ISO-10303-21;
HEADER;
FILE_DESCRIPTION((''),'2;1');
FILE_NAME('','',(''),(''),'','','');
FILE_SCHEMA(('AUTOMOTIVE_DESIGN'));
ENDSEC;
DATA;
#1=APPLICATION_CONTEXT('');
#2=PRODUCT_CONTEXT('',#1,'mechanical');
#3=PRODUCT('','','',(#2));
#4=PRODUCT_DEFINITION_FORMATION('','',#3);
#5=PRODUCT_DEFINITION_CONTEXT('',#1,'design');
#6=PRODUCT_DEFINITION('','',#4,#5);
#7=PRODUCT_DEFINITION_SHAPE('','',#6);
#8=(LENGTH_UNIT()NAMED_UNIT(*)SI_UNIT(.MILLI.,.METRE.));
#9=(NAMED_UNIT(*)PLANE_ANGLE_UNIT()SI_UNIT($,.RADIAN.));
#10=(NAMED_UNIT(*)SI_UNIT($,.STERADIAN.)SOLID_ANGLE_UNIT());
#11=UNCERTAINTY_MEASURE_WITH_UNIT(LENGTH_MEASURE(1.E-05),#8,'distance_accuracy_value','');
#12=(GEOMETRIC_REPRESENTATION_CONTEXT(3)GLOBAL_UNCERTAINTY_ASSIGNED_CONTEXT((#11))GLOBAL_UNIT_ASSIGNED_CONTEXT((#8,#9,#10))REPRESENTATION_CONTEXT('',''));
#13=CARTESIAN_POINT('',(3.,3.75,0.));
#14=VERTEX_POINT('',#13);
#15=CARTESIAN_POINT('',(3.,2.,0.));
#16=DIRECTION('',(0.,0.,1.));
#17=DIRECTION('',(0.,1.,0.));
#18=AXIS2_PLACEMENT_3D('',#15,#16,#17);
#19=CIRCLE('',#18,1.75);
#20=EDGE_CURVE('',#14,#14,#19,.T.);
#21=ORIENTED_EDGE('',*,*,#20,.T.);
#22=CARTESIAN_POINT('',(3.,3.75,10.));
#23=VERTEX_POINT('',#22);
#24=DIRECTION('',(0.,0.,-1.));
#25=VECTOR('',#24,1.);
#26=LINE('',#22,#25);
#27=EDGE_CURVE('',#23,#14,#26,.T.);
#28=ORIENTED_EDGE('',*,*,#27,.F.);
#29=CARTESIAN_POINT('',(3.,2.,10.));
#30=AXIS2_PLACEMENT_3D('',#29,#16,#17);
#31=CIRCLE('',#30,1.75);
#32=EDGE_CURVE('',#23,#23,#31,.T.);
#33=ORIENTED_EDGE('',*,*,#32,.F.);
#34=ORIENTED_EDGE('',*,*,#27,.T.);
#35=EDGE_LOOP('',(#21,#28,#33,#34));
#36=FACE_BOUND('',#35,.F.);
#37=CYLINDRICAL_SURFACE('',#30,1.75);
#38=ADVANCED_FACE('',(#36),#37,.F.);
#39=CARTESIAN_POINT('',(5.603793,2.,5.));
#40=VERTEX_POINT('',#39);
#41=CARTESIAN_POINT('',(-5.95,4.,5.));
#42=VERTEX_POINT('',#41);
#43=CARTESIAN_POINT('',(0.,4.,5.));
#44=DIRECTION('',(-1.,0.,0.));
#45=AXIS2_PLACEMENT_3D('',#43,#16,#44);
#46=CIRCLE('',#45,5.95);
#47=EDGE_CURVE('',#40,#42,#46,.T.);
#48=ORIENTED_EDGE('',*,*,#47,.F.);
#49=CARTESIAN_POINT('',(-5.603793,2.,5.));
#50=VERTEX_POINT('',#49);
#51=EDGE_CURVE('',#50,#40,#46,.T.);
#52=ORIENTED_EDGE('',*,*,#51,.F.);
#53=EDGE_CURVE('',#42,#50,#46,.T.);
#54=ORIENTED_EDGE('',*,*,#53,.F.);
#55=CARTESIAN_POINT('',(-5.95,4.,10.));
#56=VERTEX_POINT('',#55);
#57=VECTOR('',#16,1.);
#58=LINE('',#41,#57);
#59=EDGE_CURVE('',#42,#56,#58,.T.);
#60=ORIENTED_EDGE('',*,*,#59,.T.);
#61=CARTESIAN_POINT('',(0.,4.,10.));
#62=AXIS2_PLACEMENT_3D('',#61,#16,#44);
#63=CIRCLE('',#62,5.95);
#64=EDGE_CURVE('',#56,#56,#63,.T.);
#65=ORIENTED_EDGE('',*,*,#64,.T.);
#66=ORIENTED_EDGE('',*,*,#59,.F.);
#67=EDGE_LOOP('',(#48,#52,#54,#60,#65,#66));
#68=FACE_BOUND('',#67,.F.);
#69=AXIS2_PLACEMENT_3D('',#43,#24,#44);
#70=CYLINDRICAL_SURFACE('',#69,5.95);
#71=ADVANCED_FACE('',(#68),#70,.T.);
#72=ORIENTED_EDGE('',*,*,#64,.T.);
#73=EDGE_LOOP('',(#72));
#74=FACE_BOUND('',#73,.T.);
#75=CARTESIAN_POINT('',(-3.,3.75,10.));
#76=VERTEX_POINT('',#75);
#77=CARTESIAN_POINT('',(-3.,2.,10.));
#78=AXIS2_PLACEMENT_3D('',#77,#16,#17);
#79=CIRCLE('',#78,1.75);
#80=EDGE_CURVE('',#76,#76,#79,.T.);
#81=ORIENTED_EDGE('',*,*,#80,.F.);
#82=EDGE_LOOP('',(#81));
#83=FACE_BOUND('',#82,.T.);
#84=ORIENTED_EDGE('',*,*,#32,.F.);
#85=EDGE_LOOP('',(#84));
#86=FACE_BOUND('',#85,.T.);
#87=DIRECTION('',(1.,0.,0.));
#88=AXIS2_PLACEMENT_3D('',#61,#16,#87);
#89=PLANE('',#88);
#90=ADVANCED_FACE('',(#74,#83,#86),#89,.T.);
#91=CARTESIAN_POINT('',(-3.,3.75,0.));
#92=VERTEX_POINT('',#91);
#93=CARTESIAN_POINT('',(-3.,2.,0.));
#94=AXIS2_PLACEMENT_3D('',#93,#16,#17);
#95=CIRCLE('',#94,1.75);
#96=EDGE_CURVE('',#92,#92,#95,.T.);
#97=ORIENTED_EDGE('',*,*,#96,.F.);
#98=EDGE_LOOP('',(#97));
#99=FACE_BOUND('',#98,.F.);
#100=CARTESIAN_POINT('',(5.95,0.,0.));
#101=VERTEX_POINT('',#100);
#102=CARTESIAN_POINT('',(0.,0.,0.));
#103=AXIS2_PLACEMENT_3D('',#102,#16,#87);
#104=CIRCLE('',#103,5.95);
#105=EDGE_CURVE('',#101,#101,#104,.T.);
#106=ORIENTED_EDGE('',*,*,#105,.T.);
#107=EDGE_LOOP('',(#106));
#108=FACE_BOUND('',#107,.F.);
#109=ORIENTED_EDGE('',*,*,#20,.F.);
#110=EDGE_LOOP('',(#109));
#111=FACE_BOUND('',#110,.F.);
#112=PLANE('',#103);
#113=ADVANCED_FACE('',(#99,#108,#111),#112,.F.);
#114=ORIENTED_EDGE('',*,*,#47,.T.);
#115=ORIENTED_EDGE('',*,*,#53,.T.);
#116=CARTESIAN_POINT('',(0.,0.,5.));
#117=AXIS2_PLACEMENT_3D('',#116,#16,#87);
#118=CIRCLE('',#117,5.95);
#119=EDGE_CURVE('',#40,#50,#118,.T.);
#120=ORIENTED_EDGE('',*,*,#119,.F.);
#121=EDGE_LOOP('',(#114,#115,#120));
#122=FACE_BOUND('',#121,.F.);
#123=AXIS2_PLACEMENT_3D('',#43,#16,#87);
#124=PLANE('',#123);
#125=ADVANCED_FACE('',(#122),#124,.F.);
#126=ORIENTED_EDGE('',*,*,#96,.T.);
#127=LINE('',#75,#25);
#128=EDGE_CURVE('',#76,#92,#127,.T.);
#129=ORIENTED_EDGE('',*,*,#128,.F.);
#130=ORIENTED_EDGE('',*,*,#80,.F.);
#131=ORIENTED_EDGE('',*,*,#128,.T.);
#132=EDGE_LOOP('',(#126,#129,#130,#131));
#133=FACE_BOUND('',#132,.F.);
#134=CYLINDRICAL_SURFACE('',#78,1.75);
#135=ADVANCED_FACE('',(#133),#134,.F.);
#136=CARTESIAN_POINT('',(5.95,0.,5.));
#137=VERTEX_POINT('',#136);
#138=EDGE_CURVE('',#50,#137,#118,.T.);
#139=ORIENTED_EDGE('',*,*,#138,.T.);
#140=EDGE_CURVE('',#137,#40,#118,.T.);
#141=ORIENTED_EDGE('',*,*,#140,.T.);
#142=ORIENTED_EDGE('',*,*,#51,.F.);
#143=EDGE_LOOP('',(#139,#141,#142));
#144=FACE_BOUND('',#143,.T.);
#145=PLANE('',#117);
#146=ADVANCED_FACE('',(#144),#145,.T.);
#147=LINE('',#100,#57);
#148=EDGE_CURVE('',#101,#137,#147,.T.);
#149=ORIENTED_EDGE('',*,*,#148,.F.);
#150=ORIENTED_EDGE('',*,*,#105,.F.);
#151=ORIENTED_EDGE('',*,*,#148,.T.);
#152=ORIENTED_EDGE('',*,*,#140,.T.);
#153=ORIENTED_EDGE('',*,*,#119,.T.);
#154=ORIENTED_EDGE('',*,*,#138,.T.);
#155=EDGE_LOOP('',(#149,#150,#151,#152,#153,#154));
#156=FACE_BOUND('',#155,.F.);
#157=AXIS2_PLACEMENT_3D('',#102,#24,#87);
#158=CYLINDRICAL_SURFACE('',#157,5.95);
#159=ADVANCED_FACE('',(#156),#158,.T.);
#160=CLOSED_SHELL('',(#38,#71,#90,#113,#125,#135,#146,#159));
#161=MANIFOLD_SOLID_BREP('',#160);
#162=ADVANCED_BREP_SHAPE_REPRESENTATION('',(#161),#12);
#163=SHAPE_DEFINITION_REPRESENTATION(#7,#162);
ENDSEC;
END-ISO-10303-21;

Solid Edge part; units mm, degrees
sketch "Sketch1" plane through (0, 0, 0) normal (0, 0, 1) x (1, 0, 0)
  circle A0 centre (0, 0) radius 5.95
extrude "ExtrudedProtrusion_1" add sketch "Sketch1" along normal blind 5
sketch "Sketch2" plane through (0, 0, 5) normal (0, 0, 1) x (-1, 0, 0)
  circle A0 centre (0, -4) radius 5.95
extrude "ExtrudedProtrusion_5" add sketch "Sketch2" along normal blind 5
sketch "Sketch3" plane through (0, 4, 10) normal (0, 0, 1) x (0, 1, 0)
  circle A0 centre (-2, 3) radius 1.75
  circle A1 centre (-2, -3) radius 1.75
  dimension "D1" = 2
  dimension "D2" = 3.5
  dimension "D3" = 3
extrude "Cutout1" cut sketch "Sketch3" against normal through all
